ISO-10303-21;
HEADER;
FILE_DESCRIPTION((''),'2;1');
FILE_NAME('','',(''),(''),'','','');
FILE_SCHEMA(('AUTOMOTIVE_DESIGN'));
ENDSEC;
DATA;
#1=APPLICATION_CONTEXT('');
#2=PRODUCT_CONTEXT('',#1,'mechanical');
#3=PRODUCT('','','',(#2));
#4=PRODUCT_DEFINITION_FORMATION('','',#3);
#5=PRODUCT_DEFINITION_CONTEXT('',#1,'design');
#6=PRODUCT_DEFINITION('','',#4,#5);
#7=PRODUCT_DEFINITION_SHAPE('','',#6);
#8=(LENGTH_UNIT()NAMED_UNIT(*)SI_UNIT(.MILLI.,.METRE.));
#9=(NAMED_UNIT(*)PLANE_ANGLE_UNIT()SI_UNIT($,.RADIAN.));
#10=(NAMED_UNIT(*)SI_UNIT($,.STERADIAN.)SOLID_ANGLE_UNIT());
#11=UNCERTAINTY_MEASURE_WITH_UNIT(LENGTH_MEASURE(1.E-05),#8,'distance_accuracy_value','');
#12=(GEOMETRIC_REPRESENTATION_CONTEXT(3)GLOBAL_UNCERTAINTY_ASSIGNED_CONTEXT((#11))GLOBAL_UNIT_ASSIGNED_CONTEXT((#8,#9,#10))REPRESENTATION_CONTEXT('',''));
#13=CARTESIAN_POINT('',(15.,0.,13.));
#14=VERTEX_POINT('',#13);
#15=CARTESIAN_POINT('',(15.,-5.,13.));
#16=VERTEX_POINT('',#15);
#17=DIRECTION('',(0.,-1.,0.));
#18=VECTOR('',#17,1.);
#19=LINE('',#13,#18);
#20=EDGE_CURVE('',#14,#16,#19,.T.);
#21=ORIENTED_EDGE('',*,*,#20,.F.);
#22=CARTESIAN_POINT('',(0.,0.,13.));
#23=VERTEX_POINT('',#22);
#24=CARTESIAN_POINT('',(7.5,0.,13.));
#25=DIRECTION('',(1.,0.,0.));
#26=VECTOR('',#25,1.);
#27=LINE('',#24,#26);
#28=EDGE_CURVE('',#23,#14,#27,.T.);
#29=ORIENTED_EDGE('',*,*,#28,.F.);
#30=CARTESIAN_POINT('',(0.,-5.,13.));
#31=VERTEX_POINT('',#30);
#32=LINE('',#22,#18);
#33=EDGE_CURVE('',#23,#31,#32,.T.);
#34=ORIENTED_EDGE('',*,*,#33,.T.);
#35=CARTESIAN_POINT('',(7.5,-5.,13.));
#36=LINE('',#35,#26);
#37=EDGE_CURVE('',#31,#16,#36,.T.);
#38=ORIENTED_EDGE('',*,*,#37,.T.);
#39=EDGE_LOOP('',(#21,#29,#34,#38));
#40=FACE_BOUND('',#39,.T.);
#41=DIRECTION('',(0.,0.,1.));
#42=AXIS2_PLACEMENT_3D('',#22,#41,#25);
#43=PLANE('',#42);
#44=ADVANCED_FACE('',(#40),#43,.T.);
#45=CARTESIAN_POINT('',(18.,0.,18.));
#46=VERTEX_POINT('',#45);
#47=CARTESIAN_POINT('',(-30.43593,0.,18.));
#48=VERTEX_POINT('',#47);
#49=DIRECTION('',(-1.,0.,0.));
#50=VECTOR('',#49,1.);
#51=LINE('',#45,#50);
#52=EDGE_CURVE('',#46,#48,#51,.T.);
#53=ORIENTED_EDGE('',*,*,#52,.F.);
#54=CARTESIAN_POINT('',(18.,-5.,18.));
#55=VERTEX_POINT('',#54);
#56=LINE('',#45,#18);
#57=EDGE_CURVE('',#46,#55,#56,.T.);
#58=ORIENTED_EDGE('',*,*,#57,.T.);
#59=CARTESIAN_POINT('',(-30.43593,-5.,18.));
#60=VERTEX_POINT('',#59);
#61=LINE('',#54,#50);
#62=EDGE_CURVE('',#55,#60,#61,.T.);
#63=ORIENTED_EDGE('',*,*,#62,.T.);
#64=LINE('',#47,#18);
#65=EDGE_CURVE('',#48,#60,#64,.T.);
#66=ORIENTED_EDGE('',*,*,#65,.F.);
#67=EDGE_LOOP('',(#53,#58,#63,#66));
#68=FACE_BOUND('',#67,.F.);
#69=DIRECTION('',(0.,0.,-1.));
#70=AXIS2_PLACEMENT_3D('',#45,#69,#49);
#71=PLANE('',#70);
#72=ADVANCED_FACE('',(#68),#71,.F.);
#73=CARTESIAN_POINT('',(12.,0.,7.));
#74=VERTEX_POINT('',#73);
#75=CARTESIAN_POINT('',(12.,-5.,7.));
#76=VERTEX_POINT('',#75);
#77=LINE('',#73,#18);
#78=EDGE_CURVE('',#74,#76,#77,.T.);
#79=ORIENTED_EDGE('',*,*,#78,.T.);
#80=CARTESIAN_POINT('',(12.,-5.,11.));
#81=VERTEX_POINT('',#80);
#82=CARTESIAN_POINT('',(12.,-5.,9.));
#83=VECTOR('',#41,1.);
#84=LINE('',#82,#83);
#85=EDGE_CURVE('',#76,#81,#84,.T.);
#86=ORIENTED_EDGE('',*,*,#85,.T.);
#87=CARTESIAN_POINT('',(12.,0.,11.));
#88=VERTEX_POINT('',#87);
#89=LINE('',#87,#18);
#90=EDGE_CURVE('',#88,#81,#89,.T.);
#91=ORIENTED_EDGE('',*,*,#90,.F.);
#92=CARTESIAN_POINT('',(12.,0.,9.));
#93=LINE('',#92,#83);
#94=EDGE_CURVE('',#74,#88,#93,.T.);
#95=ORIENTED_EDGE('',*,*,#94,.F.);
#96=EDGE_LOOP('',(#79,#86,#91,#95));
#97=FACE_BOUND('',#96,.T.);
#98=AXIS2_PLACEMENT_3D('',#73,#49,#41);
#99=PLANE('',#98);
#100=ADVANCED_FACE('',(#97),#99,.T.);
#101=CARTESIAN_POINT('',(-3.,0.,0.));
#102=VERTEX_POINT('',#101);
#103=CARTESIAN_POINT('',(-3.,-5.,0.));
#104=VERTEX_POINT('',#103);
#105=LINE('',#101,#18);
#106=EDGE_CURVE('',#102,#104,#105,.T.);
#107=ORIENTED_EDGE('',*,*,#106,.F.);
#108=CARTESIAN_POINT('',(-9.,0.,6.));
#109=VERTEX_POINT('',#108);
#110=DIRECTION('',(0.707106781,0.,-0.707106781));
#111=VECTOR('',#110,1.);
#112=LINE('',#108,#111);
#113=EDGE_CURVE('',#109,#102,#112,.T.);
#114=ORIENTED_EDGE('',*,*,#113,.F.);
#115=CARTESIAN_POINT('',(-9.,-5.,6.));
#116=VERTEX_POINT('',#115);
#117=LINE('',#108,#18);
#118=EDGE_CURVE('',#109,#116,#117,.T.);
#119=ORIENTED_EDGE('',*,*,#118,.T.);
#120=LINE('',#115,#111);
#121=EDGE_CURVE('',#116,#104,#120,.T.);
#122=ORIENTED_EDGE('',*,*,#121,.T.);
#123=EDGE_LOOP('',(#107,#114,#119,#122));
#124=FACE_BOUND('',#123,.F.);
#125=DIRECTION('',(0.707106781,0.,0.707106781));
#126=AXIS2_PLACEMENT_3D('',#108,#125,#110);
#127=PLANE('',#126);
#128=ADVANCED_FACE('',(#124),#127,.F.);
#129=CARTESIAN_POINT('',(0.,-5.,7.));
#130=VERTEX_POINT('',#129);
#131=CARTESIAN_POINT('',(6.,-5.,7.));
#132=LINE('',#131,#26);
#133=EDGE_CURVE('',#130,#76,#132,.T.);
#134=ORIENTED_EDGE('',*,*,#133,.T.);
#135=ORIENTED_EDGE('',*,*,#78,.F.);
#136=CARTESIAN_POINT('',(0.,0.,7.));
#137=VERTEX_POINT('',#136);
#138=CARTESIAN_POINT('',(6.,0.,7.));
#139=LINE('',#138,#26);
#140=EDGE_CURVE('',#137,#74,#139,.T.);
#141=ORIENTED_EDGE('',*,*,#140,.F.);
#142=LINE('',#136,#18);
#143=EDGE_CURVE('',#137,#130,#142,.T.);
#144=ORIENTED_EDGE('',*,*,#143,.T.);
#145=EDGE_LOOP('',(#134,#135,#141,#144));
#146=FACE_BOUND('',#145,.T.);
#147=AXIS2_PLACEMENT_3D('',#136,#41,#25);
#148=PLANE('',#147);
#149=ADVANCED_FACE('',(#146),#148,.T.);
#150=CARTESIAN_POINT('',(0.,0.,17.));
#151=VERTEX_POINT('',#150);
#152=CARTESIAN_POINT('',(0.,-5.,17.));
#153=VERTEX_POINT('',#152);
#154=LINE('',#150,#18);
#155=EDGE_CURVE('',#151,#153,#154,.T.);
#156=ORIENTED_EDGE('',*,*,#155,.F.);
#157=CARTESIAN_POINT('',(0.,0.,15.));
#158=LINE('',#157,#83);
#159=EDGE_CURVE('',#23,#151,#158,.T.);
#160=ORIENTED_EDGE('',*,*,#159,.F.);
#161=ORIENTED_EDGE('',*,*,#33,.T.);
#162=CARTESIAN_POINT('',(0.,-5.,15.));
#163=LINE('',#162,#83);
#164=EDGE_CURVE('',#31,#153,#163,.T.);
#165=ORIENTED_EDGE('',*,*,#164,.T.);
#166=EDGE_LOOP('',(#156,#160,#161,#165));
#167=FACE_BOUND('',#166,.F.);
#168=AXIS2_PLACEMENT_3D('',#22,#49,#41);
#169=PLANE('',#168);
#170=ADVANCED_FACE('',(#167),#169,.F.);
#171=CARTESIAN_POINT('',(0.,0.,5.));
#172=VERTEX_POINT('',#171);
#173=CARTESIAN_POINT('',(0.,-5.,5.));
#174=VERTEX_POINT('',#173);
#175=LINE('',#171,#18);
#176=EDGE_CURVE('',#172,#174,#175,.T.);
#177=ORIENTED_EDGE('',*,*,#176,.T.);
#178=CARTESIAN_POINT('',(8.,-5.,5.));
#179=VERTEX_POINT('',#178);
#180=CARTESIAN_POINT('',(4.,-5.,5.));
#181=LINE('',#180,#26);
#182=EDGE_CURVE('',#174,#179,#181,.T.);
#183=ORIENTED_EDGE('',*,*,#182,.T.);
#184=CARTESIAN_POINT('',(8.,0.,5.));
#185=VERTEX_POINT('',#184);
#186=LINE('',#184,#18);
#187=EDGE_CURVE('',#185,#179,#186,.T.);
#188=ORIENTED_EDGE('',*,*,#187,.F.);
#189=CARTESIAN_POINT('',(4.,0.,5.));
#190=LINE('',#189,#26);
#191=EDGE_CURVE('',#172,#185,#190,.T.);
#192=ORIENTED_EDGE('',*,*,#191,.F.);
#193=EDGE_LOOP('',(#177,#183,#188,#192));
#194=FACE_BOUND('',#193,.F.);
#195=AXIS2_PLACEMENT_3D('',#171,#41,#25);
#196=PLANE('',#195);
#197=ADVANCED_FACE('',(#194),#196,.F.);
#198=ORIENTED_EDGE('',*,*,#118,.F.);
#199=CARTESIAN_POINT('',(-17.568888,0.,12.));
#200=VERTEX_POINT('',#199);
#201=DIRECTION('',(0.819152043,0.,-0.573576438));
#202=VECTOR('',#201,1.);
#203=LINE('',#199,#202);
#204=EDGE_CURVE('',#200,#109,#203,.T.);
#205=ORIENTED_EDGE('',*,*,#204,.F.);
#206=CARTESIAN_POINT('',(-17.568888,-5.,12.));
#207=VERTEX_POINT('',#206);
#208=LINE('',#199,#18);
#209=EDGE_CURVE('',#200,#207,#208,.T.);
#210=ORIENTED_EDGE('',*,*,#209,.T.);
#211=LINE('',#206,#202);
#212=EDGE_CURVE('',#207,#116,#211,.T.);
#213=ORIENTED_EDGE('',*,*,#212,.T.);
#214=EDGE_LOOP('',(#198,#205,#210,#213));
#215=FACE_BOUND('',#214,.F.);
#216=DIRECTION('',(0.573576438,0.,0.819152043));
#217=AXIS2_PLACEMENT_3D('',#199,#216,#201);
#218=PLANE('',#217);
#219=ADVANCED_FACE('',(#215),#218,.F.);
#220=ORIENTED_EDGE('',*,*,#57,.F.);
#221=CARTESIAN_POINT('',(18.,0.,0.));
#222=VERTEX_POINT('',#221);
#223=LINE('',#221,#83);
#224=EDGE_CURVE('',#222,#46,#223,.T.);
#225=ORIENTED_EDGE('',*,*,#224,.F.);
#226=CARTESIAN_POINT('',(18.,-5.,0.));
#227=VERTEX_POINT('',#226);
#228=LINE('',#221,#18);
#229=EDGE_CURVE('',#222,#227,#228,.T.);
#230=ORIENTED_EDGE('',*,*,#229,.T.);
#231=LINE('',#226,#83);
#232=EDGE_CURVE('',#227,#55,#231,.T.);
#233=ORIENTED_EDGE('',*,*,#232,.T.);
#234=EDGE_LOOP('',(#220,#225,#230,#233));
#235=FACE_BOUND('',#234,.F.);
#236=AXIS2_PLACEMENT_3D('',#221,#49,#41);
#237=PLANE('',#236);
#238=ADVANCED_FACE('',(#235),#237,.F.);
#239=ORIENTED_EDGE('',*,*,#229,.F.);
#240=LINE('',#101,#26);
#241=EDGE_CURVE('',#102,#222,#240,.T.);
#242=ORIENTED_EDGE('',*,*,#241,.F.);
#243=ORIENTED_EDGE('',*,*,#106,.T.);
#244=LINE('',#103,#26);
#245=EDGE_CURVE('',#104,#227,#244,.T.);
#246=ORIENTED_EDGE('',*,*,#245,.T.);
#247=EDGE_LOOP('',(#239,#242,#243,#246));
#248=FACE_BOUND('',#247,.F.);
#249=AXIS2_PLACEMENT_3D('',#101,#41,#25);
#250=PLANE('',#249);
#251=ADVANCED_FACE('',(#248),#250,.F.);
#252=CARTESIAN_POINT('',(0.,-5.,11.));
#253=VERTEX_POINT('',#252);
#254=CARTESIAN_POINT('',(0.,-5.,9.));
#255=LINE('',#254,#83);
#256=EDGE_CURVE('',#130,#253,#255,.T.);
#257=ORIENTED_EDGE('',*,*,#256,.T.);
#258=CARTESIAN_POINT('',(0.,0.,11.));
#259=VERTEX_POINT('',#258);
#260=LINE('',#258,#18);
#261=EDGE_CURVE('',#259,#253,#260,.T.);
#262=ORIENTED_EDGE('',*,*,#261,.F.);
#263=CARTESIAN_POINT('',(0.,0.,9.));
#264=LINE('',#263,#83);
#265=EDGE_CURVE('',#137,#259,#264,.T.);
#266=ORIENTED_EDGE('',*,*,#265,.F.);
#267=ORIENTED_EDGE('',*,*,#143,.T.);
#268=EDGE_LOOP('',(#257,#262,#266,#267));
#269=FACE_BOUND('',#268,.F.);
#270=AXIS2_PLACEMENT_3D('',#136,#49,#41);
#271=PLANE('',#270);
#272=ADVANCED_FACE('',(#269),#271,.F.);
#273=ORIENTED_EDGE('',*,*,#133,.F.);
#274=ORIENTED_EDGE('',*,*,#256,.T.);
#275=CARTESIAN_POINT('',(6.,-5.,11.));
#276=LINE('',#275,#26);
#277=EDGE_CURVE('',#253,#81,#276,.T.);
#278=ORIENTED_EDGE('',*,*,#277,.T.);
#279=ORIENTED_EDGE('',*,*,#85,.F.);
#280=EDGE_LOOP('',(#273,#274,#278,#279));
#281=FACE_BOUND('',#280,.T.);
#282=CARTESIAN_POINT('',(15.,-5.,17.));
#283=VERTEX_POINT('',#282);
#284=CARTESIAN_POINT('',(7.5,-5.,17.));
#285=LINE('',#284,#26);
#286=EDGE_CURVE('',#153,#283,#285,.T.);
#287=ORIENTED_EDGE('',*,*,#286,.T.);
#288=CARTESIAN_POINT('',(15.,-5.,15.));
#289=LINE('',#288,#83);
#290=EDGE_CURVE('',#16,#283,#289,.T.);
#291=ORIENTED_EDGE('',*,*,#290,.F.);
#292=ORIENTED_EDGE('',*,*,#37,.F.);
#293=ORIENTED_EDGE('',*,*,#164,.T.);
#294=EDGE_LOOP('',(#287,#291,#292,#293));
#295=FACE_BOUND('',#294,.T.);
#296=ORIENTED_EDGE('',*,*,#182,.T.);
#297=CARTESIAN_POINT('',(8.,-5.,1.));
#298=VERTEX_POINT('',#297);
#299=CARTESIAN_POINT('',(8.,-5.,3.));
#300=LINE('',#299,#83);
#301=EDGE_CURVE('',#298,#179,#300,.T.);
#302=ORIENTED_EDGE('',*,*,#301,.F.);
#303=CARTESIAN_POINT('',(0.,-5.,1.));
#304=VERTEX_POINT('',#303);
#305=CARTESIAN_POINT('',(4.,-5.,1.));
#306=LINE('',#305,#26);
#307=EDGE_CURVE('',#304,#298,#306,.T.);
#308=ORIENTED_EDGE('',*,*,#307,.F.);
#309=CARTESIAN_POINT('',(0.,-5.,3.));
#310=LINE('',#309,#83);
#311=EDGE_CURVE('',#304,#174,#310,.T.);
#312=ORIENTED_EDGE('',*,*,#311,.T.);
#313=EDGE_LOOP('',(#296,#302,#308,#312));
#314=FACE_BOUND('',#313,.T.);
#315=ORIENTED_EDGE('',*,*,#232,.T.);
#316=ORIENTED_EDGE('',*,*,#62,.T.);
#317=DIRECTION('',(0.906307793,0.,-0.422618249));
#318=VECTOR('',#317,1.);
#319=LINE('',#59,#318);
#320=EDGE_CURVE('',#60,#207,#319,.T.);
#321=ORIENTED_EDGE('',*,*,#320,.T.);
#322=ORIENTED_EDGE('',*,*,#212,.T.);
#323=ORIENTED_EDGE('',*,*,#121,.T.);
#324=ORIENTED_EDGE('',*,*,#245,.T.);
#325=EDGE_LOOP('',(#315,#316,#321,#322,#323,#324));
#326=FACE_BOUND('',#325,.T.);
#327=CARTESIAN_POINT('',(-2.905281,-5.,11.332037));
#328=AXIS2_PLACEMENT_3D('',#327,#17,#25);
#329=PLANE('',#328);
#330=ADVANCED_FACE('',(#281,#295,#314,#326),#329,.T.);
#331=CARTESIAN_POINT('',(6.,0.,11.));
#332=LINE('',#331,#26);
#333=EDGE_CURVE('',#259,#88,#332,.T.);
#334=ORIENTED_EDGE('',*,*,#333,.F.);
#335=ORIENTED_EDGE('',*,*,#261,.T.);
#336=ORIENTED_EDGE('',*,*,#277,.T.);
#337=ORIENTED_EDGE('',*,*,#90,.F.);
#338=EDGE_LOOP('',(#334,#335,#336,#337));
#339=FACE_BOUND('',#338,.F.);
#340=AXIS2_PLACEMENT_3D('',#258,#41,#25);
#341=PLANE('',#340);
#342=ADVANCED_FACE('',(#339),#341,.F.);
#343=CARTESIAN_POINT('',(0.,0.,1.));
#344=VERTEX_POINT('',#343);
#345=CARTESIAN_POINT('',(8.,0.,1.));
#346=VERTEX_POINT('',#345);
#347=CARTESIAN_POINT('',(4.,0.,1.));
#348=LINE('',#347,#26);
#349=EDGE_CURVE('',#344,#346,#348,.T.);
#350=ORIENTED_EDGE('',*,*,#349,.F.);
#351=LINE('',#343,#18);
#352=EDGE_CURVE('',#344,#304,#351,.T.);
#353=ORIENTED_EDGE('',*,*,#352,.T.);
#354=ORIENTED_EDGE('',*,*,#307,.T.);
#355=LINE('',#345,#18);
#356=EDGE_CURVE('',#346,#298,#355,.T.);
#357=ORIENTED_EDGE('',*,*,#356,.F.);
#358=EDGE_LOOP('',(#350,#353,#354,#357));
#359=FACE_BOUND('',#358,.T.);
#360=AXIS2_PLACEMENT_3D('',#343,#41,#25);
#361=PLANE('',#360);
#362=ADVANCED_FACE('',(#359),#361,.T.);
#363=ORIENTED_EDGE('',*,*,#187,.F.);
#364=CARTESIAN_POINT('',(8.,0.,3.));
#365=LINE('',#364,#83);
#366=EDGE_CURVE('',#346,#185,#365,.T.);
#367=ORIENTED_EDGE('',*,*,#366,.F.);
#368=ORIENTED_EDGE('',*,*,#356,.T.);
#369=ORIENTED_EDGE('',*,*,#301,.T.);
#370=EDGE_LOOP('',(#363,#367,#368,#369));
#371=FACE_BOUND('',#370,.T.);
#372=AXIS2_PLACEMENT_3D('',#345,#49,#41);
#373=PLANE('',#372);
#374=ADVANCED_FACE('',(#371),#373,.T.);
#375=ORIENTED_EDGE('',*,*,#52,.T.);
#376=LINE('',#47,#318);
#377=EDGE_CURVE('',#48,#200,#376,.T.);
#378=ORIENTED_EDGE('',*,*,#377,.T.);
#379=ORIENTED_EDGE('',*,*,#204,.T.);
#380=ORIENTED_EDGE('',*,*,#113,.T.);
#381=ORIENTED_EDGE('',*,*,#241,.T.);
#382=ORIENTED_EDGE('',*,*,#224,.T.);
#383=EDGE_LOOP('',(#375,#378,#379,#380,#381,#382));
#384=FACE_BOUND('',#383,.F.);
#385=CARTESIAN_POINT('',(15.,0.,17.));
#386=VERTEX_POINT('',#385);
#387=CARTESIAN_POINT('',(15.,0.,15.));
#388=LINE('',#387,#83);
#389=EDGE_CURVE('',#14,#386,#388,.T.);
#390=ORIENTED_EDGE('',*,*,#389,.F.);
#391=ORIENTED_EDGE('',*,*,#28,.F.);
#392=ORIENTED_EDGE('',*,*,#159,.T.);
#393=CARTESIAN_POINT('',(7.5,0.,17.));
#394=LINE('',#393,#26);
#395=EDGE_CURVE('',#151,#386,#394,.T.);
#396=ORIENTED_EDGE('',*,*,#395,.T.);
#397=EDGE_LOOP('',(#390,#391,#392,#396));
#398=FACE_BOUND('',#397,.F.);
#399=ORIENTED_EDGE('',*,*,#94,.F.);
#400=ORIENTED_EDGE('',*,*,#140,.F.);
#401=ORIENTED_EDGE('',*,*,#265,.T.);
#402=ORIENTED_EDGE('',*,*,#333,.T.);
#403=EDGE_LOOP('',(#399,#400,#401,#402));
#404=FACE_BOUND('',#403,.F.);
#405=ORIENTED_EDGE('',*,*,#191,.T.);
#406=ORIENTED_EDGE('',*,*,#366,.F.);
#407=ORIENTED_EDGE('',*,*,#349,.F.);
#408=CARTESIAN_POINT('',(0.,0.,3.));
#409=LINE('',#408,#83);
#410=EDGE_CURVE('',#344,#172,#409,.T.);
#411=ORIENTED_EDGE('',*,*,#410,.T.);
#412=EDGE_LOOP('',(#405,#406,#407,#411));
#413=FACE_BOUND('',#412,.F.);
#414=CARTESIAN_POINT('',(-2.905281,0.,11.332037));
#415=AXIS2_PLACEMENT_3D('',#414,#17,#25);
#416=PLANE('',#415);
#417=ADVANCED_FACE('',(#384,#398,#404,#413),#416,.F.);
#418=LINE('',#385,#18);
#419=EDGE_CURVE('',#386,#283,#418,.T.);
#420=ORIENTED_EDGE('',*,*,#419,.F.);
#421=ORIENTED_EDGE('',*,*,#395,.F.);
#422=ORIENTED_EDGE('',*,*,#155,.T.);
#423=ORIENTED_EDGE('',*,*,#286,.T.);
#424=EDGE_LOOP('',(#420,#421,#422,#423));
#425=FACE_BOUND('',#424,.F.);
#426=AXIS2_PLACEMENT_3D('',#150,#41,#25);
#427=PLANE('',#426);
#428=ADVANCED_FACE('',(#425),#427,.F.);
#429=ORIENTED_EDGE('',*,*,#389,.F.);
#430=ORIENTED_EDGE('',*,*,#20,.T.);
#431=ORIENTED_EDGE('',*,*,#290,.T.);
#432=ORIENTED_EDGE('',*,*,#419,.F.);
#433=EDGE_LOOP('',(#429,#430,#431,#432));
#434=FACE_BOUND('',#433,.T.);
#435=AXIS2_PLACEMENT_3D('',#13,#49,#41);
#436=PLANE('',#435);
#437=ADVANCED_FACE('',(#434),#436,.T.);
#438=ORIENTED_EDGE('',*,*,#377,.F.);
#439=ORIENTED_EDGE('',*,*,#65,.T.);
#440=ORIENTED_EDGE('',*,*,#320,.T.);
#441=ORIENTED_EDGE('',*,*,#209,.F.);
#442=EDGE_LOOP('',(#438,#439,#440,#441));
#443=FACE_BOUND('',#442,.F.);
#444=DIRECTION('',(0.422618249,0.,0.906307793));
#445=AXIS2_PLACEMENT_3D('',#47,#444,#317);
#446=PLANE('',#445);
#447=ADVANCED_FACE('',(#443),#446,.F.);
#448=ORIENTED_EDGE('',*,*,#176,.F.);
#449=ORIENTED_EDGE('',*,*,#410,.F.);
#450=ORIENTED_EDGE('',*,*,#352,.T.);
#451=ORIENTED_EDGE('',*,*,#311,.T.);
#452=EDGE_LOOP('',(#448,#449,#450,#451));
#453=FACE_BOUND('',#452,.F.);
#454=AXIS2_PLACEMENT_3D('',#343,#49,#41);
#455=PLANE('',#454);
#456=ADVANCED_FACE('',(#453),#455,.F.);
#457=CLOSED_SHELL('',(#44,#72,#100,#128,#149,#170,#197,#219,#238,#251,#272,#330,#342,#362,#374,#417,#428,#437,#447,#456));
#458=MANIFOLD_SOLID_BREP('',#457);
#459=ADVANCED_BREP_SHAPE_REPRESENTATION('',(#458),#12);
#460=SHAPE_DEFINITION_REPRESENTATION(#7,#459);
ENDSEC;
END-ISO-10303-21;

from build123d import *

# Parameters (mm, degrees)
F0_W     = 8
F0_H     = 4
F0_W_2   = 12
F0_W_3   = 15
F1_DEPTH = 5


with BuildPart() as f1:
    # F0 (on Front) → F1 (new body)
    with BuildSketch(Plane.XZ):
        Polygon((-3, 0), (0, 0), (18, 0), (18, 18), (0, 18), (-30.43593, 18), (-17.568888, 12), (-9, 6), align=None)
        with Locations((4, 3)):
            Rectangle(F0_W, F0_H, mode=Mode.SUBTRACT)
        with Locations((6, 9)):
            Rectangle(F0_W_2, F0_H, mode=Mode.SUBTRACT)
        with Locations((7.5, 15)):
            Rectangle(F0_W_3, F0_H, mode=Mode.SUBTRACT)
    extrude(amount=F1_DEPTH)


solid = f1.part
